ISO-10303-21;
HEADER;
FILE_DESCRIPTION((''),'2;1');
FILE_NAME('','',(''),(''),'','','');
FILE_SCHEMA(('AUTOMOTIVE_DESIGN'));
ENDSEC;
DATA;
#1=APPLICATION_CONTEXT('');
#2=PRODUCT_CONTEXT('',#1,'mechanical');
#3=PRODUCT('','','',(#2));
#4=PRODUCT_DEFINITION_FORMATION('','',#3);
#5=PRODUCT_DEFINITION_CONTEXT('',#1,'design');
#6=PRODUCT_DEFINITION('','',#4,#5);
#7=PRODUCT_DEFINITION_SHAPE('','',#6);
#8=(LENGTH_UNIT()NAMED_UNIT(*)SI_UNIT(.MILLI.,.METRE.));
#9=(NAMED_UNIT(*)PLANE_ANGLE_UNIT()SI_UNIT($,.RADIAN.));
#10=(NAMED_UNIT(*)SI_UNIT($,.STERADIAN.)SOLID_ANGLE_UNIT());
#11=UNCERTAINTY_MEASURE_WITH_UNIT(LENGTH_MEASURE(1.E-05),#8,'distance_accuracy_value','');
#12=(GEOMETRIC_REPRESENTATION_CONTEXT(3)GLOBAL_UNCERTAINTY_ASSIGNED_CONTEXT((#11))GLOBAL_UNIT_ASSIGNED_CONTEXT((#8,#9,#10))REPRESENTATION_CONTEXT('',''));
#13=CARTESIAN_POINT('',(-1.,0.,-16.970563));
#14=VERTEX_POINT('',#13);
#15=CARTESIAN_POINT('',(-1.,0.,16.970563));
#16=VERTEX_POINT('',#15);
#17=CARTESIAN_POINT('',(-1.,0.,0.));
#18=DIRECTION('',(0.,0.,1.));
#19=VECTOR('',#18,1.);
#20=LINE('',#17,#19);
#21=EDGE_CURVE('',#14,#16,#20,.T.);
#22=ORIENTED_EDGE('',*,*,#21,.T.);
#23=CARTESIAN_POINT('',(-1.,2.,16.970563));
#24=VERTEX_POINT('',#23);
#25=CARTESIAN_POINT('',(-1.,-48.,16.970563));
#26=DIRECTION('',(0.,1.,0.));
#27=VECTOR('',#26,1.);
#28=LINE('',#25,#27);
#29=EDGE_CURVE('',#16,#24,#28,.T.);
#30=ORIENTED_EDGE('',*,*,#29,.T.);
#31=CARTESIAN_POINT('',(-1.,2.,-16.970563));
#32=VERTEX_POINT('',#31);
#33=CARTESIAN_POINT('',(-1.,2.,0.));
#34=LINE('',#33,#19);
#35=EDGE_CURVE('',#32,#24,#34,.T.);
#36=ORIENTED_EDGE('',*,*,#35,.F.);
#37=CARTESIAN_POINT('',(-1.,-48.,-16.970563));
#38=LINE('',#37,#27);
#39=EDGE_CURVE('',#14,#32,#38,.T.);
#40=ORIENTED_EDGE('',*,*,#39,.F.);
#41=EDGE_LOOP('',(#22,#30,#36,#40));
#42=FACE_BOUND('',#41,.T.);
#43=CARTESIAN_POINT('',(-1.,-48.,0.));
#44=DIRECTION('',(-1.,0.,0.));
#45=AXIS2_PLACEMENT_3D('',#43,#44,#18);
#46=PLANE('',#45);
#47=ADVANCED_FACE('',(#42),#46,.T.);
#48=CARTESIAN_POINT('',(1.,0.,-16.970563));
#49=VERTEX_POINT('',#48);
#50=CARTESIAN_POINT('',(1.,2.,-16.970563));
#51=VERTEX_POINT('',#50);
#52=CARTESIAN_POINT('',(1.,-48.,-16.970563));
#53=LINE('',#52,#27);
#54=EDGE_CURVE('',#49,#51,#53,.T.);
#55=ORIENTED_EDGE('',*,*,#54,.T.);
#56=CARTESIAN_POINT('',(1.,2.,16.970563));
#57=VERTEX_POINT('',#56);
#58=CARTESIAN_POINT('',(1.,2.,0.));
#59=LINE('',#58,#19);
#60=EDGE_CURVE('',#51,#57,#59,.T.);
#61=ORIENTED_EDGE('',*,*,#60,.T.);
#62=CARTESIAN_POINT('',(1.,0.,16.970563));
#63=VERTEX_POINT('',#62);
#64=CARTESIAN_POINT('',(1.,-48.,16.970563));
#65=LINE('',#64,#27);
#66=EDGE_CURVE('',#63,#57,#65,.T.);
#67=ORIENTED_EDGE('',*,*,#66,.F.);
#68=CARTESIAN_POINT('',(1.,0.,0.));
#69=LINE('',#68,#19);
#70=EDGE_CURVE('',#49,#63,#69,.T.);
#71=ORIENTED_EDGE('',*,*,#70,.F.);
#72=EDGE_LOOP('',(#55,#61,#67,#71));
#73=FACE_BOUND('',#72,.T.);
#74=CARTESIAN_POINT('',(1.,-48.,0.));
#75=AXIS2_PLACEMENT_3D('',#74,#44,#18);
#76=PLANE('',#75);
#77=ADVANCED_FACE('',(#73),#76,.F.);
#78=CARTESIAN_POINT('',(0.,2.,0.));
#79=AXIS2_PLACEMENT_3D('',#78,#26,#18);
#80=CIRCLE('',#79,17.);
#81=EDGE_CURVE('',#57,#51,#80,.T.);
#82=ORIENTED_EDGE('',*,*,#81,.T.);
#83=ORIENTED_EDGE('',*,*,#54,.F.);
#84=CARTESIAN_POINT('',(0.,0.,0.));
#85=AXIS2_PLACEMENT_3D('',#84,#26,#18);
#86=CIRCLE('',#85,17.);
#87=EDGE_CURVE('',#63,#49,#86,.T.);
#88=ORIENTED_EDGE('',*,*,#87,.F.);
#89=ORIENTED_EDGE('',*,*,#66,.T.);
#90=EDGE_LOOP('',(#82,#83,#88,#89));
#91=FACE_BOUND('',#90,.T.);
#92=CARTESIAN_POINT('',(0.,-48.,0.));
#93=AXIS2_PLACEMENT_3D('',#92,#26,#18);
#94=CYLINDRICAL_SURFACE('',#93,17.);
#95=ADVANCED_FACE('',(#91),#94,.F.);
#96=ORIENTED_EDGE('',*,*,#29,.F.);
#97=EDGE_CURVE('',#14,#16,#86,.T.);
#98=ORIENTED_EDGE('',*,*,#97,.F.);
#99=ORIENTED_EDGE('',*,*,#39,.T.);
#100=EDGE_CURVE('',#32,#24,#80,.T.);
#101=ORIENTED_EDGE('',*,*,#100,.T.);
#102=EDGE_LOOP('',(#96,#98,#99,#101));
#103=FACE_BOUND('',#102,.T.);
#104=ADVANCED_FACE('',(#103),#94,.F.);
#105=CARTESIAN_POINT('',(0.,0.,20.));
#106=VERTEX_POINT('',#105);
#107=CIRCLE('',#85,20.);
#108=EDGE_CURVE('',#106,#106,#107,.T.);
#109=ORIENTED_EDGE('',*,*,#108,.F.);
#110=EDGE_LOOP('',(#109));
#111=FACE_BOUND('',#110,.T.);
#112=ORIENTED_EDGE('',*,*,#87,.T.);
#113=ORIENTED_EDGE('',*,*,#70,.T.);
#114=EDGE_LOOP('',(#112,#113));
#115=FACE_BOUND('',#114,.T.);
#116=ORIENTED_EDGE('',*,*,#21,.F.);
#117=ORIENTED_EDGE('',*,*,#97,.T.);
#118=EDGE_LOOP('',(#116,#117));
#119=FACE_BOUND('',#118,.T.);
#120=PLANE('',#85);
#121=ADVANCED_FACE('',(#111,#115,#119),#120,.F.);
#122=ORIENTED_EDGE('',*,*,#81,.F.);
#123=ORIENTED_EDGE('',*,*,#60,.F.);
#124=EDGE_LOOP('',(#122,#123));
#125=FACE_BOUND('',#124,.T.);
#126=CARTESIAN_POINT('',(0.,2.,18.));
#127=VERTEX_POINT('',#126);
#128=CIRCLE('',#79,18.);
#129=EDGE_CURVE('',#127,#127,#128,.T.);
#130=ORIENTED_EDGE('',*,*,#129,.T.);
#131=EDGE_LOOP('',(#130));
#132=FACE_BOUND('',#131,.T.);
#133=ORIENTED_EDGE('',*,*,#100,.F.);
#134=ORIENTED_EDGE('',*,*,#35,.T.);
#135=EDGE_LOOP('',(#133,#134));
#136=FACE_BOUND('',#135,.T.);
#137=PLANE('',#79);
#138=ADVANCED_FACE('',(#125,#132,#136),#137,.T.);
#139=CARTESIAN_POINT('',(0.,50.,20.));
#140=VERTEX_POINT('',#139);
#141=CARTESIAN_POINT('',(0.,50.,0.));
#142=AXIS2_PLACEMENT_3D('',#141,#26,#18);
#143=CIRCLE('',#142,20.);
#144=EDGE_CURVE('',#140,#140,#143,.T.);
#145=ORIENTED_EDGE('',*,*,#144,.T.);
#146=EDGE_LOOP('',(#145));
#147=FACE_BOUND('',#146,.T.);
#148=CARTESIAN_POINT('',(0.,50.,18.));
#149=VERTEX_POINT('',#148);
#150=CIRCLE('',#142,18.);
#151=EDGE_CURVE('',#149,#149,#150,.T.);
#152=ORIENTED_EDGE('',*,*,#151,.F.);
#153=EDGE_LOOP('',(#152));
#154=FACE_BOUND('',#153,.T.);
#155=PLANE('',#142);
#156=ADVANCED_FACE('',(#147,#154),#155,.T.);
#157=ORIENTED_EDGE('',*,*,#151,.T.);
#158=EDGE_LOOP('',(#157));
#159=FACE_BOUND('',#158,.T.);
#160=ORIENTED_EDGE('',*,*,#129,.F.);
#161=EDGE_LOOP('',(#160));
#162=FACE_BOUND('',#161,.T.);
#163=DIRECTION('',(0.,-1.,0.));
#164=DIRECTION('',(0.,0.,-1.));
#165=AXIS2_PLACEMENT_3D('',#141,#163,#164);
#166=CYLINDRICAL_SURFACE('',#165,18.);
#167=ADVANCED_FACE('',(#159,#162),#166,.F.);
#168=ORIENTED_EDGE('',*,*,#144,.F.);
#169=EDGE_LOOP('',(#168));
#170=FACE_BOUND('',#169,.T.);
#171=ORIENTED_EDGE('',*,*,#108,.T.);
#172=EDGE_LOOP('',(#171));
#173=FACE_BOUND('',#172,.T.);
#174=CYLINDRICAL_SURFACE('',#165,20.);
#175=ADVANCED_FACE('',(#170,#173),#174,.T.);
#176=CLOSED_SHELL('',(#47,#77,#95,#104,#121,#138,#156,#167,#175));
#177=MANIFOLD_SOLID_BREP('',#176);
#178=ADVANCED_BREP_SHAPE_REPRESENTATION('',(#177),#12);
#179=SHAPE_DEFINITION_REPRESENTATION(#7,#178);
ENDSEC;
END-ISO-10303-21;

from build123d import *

# Parameters (mm, degrees)
SKETCH1_R           = 20
BOSS_EXTRUDE1_DEPTH = 50
SHELL3_T            = -2
CUT_EXTRUDE1_DEPTH  = 50


with BuildPart() as part:
    # Sketch1 → Boss-Extrude1 (new body)
    with BuildSketch(Plane(origin=(0, 0, 0), x_dir=(1, 0, 0), z_dir=(0, 1, 0))):
        with Locations(Location((0, 0, 0), (0, 0, 270))):
            Circle(SKETCH1_R)
    extrude(amount=BOSS_EXTRUDE1_DEPTH)

    # Shell3
    shell3_openings = [part.faces().sort_by_distance(p)[0] for p in [
        (0, 50, 0),
    ]]
    offset(amount=SHELL3_T, openings=shell3_openings, kind=Kind.INTERSECTION)

    # Sketch2 → Cut-Extrude1 (cut)
    with BuildSketch(Plane(origin=(0, 2, 0), x_dir=(1, 0, 0), z_dir=(0, 1, 0))):
        with BuildLine():
            Line((-1, -16.970562748), (-1, 16.970562748))
            ThreePointArc((-1, 16.970562748), (-17, 0), (-1, -16.970562748))
        make_face()
        with BuildLine():
            ThreePointArc((17, 0), (12.369316877, 11.66190379), (1, 16.970562748))
            Line((1, 16.970562748), (1, -16.970562748))
            ThreePointArc((1, -16.970562748), (12.369316877, -11.66190379), (17, 0))
        make_face()
    extrude(amount=-CUT_EXTRUDE1_DEPTH, mode=Mode.SUBTRACT)


solid = part.part
